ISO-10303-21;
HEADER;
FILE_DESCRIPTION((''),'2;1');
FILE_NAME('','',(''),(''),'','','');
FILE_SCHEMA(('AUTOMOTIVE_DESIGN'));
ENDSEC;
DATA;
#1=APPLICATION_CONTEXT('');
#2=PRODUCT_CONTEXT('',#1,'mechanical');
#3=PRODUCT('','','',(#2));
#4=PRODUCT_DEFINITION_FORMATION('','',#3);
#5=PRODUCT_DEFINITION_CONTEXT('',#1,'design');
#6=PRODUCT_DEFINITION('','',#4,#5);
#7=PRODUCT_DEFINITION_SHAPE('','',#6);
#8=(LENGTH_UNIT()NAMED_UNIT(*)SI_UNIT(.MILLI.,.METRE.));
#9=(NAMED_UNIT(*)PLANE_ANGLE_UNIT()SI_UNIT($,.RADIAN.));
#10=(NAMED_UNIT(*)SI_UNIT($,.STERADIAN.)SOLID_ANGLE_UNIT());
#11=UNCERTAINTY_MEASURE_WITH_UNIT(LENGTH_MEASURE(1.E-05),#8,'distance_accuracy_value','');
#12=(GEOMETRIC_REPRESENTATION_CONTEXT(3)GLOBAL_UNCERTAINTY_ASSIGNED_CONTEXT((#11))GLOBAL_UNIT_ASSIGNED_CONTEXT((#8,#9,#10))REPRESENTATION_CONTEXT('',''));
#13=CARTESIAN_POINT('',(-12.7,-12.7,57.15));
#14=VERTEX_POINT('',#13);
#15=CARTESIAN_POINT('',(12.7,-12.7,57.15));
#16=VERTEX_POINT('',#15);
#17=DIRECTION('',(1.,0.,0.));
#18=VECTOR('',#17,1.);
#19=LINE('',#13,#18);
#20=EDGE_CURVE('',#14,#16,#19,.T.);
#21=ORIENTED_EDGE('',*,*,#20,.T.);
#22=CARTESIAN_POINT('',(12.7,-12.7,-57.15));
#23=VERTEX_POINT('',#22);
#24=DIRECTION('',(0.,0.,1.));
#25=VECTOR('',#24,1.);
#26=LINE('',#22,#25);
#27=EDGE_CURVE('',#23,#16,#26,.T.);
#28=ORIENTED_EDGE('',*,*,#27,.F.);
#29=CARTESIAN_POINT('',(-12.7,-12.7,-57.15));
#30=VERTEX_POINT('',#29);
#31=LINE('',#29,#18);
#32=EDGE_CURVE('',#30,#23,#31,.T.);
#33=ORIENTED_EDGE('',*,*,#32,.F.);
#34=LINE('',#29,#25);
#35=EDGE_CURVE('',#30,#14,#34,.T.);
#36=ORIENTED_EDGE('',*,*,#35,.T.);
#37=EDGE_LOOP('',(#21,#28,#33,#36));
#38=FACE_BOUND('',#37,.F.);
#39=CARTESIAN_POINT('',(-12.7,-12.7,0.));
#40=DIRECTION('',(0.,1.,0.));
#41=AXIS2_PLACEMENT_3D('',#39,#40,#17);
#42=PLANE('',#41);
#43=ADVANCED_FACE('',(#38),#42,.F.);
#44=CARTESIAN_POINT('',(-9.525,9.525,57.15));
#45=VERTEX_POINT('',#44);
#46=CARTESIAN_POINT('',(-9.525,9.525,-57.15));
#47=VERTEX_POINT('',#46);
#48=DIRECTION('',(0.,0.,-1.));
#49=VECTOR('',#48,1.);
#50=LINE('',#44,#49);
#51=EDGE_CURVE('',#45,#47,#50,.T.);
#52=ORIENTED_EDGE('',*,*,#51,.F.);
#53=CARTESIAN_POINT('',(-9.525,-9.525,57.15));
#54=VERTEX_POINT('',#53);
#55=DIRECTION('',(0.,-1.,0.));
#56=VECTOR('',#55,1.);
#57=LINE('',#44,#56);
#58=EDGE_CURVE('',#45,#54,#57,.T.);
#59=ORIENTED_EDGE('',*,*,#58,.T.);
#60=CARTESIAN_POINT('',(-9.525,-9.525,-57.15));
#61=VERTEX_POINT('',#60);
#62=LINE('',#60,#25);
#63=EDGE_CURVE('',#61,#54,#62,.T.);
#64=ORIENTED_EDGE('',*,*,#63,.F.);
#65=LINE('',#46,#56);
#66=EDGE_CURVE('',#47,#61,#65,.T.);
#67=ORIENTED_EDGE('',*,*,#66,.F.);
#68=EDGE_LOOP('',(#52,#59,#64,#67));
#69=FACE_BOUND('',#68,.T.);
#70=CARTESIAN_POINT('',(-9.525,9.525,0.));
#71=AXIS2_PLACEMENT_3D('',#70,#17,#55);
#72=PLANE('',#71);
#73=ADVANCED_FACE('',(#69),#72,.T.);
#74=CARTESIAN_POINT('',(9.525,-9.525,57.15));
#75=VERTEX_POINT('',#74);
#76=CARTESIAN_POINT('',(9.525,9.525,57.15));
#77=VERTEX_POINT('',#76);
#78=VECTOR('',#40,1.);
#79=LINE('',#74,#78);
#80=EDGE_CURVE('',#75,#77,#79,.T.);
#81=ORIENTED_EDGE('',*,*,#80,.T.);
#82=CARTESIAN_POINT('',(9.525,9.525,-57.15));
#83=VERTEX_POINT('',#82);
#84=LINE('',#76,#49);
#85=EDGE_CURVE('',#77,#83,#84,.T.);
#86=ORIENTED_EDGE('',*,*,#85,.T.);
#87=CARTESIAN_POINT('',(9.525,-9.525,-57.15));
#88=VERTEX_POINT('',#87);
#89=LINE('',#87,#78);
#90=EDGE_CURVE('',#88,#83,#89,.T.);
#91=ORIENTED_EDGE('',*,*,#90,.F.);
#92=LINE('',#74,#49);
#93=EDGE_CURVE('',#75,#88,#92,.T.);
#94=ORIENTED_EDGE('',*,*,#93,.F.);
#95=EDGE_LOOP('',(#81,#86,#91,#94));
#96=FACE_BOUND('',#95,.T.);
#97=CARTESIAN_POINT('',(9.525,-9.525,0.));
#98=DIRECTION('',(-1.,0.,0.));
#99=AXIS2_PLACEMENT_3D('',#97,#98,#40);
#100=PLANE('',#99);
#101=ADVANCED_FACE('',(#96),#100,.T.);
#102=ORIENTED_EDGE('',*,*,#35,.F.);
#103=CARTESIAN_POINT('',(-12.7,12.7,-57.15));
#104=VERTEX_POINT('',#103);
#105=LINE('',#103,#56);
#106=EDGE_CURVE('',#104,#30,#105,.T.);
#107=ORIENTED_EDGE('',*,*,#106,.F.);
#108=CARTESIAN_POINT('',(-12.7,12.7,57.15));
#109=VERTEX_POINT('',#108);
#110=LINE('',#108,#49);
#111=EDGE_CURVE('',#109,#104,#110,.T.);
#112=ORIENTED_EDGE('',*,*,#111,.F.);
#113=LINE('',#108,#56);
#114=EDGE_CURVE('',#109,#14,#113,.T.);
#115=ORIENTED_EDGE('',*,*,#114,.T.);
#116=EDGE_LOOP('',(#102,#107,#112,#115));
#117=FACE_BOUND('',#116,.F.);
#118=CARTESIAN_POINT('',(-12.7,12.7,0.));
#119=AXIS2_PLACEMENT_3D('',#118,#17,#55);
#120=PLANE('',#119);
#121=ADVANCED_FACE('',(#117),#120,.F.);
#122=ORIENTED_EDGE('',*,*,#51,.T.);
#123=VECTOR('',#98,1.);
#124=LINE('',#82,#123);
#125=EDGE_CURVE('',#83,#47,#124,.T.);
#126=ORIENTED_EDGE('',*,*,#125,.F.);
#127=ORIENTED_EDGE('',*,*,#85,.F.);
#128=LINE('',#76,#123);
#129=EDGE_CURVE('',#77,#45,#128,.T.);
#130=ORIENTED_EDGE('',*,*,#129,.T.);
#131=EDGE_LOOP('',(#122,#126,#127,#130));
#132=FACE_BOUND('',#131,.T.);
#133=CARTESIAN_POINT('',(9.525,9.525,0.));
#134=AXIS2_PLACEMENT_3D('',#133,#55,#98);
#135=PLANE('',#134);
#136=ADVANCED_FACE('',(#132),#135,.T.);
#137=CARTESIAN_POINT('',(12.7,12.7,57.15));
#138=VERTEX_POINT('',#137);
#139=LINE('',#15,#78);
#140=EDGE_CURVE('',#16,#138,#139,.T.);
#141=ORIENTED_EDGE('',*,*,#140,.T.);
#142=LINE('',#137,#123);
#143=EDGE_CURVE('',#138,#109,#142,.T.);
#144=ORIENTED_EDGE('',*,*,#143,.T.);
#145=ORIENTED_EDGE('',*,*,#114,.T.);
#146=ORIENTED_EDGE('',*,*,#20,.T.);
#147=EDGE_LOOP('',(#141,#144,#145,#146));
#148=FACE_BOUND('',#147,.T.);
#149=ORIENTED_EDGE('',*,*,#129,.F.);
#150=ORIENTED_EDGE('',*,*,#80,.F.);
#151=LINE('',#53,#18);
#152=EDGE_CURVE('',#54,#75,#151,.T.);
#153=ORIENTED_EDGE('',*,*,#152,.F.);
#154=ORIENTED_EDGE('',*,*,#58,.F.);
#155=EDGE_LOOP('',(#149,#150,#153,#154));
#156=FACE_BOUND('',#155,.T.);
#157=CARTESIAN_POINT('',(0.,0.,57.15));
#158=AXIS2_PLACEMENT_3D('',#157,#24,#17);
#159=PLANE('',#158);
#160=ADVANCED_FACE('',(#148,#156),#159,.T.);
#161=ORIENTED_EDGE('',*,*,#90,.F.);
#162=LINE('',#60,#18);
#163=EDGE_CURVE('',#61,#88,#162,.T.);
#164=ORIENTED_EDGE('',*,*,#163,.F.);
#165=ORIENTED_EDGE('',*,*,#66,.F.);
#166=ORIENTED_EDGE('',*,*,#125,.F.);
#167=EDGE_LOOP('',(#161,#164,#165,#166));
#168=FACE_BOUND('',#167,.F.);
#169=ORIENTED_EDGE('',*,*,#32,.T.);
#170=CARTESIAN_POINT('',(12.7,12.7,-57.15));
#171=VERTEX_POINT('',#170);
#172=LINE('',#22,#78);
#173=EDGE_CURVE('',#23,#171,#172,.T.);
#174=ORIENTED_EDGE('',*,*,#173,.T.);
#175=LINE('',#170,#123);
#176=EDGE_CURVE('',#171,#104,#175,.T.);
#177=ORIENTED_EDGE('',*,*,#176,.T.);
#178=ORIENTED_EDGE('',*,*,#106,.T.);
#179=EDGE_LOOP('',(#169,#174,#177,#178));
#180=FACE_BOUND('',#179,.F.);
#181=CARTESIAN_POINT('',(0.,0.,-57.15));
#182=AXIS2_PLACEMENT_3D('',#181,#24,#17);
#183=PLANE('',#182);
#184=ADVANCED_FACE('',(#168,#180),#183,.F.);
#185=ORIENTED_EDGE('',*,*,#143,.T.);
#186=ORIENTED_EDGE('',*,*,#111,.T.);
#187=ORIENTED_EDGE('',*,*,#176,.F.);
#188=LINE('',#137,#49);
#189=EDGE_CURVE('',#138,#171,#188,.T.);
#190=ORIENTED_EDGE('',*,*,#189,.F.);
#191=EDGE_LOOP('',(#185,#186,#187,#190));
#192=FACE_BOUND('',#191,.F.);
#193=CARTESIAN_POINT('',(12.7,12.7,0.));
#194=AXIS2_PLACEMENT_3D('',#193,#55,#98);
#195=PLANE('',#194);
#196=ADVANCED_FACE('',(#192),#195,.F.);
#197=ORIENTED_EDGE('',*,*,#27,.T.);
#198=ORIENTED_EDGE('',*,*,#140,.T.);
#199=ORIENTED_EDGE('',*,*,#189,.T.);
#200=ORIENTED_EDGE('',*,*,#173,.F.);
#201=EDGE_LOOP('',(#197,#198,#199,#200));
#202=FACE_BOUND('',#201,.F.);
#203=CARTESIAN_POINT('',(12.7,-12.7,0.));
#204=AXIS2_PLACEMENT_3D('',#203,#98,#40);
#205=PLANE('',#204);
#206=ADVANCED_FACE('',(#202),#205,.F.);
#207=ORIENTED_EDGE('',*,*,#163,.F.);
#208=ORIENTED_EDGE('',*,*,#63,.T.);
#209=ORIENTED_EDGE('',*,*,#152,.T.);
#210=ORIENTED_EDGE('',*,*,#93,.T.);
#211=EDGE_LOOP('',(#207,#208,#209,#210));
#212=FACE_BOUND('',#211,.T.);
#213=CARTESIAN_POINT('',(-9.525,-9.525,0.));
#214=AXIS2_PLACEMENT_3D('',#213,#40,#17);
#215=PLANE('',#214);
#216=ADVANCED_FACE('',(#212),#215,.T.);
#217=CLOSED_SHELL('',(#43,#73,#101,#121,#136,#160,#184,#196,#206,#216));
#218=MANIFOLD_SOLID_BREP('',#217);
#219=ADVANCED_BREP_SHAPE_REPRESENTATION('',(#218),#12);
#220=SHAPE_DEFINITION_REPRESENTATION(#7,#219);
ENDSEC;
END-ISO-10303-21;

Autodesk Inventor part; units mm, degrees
ref_plane "YZ Plane" through (0, 0, 0) normal (1, 0, 0) x (0, 1, 0)
ref_plane "XZ Plane" through (0, 0, 0) normal (0, 1, 0) x (-1, 0, 0)
ref_plane "XY Plane" through (0, 0, 0) normal (0, 0, 1) x (1, 0, 0)
sketch "Sketch1" plane through (0, 0, 0) normal (0, 0, 1) x (1, 0, 0)
  line L0 (-12.7, -12.7) -> (12.7, -12.7)
  line L1 (12.7, -12.7) -> (12.7, 12.7)
  line L2 (12.7, 12.7) -> (-12.7, 12.7)
  line L3 (-12.7, 12.7) -> (-12.7, -12.7)
  line L4 (-12.7, -12.7) -> (12.7, 12.7) construction
  line L5 (12.7, -12.7) -> (-12.7, 12.7) construction
  line L6 (-9.525, -9.525) -> (9.525, -9.525)
  line L7 (9.525, -9.525) -> (9.525, 9.525)
  line L8 (9.525, 9.525) -> (-9.525, 9.525)
  line L9 (-9.525, 9.525) -> (-9.525, -9.525)
  line L10 (-9.525, -9.525) -> (9.525, 9.525) construction
  line L11 (9.525, -9.525) -> (-9.525, 9.525) construction
  point P0 (0, 0)
  dimension "d0" = 25.4
  dimension "d1" = 25.4
  dimension "d2" = 3.175
extrude "Extrusion1" add sketch "Sketch1" along normal mid plane 114.3
properties part number "Aluminum1x1CrossMemberSupports" material "Aluminum 6061"
